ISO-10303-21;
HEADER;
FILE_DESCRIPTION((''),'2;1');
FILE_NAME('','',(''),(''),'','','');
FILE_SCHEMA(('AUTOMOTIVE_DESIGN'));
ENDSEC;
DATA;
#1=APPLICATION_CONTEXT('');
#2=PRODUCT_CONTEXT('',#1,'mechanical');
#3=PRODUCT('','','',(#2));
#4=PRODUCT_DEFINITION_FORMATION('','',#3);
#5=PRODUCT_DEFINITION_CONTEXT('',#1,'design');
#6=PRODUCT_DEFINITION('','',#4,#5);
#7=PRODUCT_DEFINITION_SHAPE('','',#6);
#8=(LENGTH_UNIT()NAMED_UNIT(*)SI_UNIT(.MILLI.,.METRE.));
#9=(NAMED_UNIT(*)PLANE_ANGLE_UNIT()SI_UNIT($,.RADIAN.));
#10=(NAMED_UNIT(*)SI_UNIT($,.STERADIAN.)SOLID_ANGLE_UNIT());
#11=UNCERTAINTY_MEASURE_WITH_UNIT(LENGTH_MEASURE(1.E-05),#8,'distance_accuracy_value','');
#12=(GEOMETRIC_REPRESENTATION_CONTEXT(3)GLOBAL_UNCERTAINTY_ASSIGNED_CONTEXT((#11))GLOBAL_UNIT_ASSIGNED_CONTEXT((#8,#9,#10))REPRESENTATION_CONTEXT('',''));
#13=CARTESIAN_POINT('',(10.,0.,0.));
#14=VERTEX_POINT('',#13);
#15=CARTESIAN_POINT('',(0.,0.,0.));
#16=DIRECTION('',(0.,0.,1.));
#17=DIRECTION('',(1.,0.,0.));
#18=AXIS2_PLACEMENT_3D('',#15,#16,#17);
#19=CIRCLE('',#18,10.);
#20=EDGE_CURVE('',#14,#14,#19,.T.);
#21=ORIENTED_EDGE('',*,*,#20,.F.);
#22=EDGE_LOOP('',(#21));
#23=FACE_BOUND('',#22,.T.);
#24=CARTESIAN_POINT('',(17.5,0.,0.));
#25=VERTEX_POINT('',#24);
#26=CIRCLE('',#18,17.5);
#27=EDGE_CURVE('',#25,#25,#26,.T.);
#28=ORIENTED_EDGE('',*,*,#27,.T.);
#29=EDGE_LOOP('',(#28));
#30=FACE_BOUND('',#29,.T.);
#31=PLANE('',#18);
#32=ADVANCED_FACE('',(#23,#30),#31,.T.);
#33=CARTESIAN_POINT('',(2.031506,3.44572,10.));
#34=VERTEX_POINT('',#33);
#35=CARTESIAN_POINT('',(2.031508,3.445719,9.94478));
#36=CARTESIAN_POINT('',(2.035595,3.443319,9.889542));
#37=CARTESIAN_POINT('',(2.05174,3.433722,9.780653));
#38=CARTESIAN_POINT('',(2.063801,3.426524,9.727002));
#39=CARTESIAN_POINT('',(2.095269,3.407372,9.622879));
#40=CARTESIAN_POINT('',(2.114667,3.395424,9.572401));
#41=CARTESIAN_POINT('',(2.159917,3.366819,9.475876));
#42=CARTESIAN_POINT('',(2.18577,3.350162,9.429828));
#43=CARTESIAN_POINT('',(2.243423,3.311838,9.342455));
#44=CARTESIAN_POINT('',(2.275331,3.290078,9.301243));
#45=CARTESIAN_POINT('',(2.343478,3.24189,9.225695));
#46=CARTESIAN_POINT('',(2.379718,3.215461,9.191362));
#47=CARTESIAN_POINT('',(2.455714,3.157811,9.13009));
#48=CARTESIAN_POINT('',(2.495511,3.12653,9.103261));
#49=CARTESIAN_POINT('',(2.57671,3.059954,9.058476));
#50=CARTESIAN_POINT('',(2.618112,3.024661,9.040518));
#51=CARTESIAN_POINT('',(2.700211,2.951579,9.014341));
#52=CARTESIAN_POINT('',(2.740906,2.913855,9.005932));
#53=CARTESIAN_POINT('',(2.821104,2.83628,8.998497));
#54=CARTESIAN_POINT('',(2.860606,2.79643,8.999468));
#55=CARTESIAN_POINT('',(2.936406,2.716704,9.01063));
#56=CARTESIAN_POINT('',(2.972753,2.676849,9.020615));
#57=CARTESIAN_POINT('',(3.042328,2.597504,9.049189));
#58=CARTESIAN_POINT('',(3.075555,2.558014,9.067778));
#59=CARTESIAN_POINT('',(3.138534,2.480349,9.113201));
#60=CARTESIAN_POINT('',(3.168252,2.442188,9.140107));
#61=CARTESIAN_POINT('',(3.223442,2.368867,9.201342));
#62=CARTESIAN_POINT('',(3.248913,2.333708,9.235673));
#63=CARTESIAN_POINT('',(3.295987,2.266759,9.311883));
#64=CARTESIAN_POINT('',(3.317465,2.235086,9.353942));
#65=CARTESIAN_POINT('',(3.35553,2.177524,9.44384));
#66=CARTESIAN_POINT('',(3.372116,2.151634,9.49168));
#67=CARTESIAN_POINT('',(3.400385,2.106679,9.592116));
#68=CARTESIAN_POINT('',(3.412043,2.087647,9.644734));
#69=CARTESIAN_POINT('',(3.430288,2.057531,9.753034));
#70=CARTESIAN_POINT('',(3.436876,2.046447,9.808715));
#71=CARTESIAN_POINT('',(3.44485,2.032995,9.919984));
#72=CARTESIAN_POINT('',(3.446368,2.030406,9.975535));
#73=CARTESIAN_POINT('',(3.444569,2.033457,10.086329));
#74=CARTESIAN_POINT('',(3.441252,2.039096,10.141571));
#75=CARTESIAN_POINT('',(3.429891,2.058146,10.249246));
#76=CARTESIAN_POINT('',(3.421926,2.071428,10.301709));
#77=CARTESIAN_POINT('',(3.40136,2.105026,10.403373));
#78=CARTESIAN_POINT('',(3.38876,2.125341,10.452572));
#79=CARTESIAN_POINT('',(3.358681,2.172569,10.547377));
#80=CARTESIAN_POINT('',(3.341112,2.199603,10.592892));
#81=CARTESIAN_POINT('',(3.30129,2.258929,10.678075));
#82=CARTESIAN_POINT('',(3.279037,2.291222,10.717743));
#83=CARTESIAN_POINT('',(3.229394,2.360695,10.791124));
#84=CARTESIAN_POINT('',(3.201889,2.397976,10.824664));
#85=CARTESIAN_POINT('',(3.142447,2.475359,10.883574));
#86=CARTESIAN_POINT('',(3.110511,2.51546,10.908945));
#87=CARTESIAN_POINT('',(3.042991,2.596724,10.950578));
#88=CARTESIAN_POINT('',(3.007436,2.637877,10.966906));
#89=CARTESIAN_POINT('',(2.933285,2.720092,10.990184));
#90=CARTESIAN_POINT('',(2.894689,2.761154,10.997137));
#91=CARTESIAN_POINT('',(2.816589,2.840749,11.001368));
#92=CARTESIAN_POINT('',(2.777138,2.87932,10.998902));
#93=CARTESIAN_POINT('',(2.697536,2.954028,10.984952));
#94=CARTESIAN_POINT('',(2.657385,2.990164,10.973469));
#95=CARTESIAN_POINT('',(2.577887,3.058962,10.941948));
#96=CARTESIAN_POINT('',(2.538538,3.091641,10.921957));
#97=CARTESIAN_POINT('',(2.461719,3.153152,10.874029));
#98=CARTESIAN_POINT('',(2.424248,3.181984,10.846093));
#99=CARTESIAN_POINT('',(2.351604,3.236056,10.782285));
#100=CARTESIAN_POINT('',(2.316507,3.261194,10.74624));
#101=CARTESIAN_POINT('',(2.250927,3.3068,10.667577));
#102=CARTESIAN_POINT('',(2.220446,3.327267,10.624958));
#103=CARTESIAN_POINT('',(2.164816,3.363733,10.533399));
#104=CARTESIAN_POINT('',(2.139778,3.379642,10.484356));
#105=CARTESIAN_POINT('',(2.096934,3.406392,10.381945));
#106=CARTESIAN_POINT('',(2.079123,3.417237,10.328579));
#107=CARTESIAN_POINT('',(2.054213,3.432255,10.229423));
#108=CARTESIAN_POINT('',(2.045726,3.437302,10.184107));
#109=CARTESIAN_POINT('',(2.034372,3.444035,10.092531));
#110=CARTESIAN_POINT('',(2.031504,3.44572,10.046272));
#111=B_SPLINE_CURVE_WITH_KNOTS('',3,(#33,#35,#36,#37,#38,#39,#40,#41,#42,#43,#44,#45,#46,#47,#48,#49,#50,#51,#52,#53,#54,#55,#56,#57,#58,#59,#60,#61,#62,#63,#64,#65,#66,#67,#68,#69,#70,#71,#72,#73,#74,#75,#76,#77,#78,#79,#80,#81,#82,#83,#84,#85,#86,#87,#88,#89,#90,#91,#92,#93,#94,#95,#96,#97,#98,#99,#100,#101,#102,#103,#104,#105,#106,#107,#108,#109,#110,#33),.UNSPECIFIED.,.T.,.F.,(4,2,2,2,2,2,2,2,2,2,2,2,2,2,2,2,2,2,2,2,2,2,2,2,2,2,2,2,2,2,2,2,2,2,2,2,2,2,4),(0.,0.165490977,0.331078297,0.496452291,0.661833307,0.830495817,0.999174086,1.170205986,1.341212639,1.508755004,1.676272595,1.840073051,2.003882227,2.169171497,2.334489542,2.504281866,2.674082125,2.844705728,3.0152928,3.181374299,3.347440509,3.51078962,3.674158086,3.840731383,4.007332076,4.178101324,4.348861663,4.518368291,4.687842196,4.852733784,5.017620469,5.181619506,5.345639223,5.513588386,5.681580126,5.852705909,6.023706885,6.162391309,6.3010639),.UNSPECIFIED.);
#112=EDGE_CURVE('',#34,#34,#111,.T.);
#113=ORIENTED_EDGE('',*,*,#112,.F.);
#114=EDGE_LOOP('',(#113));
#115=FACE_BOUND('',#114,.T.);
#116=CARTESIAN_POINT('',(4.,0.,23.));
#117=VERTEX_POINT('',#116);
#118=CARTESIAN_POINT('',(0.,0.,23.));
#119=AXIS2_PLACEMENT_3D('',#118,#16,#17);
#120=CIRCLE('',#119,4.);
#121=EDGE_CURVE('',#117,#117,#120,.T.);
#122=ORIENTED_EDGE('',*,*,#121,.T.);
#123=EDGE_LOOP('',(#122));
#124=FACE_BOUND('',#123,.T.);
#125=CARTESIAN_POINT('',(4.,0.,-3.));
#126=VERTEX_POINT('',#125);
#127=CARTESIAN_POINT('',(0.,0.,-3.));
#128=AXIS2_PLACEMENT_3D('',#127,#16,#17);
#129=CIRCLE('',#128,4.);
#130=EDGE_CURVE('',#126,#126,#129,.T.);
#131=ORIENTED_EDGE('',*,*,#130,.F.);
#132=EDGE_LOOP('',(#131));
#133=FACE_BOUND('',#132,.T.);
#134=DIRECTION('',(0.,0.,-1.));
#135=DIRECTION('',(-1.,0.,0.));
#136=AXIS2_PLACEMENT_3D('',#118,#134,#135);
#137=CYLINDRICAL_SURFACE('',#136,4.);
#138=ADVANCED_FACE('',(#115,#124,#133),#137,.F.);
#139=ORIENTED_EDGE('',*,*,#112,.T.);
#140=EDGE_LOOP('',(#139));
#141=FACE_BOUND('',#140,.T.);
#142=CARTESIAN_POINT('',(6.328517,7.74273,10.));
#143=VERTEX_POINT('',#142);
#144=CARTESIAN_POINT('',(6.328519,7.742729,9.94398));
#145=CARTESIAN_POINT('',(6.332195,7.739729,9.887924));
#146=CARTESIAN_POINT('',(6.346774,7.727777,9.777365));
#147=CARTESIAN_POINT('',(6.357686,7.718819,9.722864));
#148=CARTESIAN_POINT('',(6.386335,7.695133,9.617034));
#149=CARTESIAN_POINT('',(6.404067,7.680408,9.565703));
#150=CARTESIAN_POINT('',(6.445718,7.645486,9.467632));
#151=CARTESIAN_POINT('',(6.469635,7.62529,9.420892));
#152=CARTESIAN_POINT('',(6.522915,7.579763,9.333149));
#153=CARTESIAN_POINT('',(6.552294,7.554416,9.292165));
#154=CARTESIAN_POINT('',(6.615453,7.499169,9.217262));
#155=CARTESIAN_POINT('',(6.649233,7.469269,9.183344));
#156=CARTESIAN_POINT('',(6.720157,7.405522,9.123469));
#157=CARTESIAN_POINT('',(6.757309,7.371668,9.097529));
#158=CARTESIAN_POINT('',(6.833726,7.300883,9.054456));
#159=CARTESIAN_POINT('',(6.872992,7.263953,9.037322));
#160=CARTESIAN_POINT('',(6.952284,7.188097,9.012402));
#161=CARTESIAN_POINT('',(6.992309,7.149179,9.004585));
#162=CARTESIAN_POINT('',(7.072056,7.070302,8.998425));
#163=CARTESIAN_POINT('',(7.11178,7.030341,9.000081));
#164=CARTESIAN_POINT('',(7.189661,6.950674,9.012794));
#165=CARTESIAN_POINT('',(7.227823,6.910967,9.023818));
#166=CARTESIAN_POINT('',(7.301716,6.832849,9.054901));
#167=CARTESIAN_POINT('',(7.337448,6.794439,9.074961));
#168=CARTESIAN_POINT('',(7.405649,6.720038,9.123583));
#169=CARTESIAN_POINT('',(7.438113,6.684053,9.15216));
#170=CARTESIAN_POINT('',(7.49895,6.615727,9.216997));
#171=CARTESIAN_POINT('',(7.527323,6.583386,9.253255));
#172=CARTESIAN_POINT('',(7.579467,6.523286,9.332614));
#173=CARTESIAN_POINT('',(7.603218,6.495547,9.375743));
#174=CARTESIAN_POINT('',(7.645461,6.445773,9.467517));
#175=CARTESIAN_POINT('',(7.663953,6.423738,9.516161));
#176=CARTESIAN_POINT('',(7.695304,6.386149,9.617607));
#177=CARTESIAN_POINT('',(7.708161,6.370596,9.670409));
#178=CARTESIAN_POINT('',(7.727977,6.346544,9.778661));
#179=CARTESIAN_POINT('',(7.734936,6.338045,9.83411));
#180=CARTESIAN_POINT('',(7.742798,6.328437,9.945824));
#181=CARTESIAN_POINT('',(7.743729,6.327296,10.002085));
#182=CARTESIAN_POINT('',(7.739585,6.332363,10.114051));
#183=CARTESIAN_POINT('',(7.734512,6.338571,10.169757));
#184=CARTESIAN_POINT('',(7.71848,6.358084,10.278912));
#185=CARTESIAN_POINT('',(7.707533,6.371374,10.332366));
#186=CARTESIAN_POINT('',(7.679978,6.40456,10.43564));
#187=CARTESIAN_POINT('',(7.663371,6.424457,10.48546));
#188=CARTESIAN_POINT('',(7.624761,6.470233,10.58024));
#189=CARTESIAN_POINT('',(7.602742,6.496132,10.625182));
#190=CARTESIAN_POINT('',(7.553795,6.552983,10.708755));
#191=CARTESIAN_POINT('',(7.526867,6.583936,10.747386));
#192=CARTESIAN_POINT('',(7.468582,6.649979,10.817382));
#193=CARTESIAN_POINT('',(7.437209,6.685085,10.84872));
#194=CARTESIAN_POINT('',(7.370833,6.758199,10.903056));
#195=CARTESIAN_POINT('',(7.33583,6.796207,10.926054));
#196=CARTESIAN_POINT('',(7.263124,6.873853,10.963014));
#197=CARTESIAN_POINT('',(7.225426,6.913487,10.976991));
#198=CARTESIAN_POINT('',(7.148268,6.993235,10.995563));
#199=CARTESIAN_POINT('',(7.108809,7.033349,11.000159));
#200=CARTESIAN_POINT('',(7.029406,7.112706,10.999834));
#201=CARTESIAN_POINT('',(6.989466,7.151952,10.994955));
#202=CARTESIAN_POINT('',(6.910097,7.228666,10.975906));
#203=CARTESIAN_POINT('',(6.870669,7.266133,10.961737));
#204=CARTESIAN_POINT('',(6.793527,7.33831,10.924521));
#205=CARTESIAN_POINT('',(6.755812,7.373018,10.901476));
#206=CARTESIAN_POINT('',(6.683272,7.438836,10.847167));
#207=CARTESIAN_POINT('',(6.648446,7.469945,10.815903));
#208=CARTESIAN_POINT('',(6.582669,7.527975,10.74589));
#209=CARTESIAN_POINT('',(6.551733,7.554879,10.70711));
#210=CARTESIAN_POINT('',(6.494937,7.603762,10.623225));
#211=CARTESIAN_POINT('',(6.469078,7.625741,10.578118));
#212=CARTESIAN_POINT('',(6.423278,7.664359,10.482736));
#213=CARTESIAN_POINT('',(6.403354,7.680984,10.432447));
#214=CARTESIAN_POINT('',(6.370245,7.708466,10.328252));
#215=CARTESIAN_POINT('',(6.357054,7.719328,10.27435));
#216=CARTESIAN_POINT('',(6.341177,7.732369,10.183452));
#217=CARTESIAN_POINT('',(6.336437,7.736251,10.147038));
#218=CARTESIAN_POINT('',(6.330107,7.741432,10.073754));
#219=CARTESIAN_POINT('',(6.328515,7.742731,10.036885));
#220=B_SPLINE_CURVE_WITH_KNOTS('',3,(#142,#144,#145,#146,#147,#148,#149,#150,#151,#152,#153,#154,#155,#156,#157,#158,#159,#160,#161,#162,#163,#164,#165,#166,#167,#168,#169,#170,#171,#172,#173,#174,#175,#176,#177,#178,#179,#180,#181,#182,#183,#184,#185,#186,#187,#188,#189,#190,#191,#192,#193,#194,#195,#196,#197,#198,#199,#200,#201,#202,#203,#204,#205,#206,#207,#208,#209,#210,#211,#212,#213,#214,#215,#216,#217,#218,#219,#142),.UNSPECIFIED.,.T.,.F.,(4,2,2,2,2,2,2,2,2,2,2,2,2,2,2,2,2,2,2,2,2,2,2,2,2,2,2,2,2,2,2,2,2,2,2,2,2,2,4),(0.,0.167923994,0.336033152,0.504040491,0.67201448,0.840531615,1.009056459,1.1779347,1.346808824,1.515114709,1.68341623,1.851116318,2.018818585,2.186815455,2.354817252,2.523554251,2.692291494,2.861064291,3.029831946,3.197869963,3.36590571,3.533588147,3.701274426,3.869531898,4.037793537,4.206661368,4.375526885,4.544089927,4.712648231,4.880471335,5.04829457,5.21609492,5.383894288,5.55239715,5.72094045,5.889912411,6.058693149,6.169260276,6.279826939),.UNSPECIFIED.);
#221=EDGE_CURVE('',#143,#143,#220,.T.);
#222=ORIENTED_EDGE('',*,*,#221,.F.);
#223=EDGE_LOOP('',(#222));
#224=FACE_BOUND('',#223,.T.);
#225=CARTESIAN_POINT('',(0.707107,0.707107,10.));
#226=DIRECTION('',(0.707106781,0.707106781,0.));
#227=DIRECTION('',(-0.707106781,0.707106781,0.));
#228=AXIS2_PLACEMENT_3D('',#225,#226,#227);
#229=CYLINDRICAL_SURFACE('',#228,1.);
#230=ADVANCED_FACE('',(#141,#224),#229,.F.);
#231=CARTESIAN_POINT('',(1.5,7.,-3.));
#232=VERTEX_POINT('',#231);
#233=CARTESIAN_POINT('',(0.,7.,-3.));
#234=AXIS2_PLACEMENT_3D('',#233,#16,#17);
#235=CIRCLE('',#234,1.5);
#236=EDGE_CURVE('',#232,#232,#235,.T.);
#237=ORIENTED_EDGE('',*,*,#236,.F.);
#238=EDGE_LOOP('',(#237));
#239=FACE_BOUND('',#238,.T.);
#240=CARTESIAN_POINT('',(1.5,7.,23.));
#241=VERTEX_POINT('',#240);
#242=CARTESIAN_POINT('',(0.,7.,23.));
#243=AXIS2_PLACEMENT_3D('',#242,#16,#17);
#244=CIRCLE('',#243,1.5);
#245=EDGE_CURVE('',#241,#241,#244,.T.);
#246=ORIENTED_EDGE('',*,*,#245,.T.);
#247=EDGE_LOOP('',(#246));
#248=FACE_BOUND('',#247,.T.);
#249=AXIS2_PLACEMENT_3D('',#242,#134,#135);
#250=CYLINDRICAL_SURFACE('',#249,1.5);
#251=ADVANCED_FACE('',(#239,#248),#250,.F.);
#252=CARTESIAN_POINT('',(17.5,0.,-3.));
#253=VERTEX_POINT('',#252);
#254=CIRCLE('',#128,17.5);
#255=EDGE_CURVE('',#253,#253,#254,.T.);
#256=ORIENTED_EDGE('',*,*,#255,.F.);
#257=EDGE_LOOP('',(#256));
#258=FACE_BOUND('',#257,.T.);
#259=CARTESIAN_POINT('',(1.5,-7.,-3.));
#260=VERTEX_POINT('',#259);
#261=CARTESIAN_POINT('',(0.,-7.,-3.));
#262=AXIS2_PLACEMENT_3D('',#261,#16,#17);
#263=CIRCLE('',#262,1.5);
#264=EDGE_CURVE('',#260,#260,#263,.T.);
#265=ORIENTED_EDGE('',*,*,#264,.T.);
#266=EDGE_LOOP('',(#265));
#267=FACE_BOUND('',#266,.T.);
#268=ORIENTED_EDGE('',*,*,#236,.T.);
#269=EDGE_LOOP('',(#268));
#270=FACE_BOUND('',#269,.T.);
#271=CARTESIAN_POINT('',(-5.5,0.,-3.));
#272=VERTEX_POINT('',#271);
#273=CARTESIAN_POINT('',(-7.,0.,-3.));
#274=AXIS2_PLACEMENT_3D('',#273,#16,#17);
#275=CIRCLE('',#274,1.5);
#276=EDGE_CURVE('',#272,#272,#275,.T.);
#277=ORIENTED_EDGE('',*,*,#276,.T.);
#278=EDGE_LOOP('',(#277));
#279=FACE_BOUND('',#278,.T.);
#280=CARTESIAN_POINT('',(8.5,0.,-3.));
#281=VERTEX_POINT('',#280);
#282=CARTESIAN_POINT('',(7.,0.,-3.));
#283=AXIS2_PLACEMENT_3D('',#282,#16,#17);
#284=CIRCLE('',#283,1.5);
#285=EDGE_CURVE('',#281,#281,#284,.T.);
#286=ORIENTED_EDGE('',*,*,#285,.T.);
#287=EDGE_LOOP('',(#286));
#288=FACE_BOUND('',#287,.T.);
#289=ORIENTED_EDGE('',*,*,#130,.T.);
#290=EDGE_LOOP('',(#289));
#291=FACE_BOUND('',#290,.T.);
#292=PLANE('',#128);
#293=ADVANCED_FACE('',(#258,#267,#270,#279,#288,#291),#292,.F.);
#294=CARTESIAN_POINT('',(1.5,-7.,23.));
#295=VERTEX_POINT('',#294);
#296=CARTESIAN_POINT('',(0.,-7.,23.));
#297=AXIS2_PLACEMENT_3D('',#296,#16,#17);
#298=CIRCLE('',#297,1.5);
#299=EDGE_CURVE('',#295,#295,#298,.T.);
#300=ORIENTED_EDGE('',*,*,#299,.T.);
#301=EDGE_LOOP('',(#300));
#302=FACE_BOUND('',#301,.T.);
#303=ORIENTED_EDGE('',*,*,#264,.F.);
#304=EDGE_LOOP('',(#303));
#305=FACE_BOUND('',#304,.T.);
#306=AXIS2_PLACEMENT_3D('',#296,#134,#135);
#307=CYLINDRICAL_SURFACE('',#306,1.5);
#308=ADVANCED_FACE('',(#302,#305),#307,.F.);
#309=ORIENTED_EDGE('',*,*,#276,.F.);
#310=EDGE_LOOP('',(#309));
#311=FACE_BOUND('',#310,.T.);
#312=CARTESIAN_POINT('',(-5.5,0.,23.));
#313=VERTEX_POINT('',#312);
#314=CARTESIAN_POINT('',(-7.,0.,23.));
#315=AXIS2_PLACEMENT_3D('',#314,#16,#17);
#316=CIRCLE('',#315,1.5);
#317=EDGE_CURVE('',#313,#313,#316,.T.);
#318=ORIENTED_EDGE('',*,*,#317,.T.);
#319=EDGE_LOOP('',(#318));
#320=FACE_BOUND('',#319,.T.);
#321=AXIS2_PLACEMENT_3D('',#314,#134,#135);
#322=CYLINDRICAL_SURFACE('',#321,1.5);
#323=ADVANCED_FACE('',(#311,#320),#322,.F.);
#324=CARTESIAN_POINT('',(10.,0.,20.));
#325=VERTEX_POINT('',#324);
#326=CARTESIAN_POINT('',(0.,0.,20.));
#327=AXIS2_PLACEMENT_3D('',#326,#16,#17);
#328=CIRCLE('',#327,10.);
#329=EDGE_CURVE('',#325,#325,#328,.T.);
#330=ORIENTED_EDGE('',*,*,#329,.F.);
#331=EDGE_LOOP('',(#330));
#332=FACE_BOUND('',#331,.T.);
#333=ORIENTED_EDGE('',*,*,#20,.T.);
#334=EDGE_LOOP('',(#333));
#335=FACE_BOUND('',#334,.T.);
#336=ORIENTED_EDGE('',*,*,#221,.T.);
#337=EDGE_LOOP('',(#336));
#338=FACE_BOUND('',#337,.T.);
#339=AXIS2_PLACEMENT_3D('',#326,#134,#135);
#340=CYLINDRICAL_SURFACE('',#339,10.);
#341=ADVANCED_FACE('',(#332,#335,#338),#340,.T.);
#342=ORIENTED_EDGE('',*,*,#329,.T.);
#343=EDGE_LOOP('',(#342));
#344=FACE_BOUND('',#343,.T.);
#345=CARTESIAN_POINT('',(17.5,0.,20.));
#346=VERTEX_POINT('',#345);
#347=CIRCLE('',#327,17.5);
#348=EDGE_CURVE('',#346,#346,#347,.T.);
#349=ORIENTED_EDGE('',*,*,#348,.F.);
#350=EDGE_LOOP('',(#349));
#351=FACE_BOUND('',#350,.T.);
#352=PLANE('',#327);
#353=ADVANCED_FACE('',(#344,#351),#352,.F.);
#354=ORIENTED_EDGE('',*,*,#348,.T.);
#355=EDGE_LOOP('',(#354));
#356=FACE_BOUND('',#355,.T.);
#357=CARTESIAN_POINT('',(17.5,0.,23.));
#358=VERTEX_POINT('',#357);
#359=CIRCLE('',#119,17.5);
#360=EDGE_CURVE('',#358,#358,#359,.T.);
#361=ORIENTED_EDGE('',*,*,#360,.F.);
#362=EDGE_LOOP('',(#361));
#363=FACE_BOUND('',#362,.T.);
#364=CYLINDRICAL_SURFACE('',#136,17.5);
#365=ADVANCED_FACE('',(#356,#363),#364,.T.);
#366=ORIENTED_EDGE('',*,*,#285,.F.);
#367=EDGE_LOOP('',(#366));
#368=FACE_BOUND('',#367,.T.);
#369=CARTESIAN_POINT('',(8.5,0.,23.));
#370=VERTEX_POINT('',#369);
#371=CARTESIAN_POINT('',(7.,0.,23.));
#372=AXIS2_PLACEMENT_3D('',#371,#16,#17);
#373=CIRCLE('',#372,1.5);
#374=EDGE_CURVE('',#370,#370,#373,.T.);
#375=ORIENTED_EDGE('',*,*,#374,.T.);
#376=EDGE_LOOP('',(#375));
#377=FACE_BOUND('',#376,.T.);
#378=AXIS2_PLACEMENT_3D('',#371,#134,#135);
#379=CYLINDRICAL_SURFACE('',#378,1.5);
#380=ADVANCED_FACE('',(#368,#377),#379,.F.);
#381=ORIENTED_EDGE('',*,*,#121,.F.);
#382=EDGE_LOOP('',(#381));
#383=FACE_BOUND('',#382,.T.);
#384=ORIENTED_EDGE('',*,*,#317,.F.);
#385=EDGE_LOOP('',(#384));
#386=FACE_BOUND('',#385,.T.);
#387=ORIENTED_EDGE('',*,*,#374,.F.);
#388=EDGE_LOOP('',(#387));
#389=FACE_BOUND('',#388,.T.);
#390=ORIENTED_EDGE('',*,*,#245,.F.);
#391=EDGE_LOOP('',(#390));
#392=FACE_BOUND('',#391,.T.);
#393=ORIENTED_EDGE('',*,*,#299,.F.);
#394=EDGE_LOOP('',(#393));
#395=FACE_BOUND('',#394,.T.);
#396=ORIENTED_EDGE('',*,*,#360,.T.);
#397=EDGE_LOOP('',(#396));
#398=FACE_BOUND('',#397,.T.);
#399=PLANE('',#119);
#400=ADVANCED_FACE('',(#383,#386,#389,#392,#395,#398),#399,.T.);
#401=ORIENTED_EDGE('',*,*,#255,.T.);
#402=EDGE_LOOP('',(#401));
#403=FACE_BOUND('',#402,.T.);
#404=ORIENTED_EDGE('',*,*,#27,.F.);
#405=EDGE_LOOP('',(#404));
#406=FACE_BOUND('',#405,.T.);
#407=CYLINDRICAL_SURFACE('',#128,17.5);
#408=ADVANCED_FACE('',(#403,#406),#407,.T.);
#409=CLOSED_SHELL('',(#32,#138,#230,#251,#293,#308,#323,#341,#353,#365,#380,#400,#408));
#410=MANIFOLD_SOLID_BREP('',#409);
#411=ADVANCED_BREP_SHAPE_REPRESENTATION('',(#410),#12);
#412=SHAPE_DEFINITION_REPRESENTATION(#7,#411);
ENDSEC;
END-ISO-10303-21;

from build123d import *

# Parameters (mm, degrees)
SKETCH_1_R          = 17.5
SKETCH_1_R_2        = 1.5
SKETCH_1_R_3        = 4
EXTRUDE_1_DEPTH     = 23
SKETCH_1_4_R        = 17.5
SKETCH_1_4_R_2      = 10
CUT_EXTRUDE_1_DEPTH = 20
EXTRUDE_START       = -3
SKETCH_1_5_R        = 17.5
SKETCH_1_5_R_2      = 1.5
SKETCH_1_5_R_3      = 4
EXTRUDE_3_DEPTH     = 3
SKETCH_3_R          = 1
CUT_EXTRUDE_2_DEPTH = 9


with BuildPart() as part:
    # 草图1 → 凸台-拉伸1 (new body)
    with BuildSketch(Plane.XY):
        Circle(SKETCH_1_R)
        with Locations((0, 7)):
            Circle(SKETCH_1_R_2, mode=Mode.SUBTRACT)
        with Locations((0, -7)):
            Circle(SKETCH_1_R_2, mode=Mode.SUBTRACT)
        with Locations((7, 0)):
            Circle(SKETCH_1_R_2, mode=Mode.SUBTRACT)
        with Locations((-7, 0)):
            Circle(SKETCH_1_R_2, mode=Mode.SUBTRACT)
        Circle(SKETCH_1_R_3, mode=Mode.SUBTRACT)
    extrude(amount=EXTRUDE_1_DEPTH)

    # 草图1<4> → 切除-拉伸1 (cut)
    with BuildSketch(Plane.XY):
        Circle(SKETCH_1_4_R)
        Circle(SKETCH_1_4_R_2, mode=Mode.SUBTRACT)
    extrude(amount=CUT_EXTRUDE_1_DEPTH, mode=Mode.SUBTRACT)

    # 草图1<5> → 凸台-拉伸3 (add)
    with BuildSketch(Plane.XY.offset(EXTRUDE_START)):
        Circle(SKETCH_1_5_R)
        with Locations((0, 7)):
            Circle(SKETCH_1_5_R_2, mode=Mode.SUBTRACT)
        with Locations((0, -7)):
            Circle(SKETCH_1_5_R_2, mode=Mode.SUBTRACT)
        with Locations((7, 0)):
            Circle(SKETCH_1_5_R_2, mode=Mode.SUBTRACT)
        with Locations((-7, 0)):
            Circle(SKETCH_1_5_R_2, mode=Mode.SUBTRACT)
        Circle(SKETCH_1_5_R_3, mode=Mode.SUBTRACT)
    extrude(amount=EXTRUDE_3_DEPTH)

    # 草图3 → 切除-拉伸2 (cut)
    with BuildSketch(Plane(origin=(7.071067812, 7.071067812, 0), x_dir=(0.7071067811865488, -0.7071067811865462, 0), z_dir=(0.7071067811865462, 0.7071067811865488, 0))):
        with Locations((0, -10)):
            Circle(SKETCH_3_R)
    extrude(amount=-CUT_EXTRUDE_2_DEPTH, mode=Mode.SUBTRACT)


solid = part.part
